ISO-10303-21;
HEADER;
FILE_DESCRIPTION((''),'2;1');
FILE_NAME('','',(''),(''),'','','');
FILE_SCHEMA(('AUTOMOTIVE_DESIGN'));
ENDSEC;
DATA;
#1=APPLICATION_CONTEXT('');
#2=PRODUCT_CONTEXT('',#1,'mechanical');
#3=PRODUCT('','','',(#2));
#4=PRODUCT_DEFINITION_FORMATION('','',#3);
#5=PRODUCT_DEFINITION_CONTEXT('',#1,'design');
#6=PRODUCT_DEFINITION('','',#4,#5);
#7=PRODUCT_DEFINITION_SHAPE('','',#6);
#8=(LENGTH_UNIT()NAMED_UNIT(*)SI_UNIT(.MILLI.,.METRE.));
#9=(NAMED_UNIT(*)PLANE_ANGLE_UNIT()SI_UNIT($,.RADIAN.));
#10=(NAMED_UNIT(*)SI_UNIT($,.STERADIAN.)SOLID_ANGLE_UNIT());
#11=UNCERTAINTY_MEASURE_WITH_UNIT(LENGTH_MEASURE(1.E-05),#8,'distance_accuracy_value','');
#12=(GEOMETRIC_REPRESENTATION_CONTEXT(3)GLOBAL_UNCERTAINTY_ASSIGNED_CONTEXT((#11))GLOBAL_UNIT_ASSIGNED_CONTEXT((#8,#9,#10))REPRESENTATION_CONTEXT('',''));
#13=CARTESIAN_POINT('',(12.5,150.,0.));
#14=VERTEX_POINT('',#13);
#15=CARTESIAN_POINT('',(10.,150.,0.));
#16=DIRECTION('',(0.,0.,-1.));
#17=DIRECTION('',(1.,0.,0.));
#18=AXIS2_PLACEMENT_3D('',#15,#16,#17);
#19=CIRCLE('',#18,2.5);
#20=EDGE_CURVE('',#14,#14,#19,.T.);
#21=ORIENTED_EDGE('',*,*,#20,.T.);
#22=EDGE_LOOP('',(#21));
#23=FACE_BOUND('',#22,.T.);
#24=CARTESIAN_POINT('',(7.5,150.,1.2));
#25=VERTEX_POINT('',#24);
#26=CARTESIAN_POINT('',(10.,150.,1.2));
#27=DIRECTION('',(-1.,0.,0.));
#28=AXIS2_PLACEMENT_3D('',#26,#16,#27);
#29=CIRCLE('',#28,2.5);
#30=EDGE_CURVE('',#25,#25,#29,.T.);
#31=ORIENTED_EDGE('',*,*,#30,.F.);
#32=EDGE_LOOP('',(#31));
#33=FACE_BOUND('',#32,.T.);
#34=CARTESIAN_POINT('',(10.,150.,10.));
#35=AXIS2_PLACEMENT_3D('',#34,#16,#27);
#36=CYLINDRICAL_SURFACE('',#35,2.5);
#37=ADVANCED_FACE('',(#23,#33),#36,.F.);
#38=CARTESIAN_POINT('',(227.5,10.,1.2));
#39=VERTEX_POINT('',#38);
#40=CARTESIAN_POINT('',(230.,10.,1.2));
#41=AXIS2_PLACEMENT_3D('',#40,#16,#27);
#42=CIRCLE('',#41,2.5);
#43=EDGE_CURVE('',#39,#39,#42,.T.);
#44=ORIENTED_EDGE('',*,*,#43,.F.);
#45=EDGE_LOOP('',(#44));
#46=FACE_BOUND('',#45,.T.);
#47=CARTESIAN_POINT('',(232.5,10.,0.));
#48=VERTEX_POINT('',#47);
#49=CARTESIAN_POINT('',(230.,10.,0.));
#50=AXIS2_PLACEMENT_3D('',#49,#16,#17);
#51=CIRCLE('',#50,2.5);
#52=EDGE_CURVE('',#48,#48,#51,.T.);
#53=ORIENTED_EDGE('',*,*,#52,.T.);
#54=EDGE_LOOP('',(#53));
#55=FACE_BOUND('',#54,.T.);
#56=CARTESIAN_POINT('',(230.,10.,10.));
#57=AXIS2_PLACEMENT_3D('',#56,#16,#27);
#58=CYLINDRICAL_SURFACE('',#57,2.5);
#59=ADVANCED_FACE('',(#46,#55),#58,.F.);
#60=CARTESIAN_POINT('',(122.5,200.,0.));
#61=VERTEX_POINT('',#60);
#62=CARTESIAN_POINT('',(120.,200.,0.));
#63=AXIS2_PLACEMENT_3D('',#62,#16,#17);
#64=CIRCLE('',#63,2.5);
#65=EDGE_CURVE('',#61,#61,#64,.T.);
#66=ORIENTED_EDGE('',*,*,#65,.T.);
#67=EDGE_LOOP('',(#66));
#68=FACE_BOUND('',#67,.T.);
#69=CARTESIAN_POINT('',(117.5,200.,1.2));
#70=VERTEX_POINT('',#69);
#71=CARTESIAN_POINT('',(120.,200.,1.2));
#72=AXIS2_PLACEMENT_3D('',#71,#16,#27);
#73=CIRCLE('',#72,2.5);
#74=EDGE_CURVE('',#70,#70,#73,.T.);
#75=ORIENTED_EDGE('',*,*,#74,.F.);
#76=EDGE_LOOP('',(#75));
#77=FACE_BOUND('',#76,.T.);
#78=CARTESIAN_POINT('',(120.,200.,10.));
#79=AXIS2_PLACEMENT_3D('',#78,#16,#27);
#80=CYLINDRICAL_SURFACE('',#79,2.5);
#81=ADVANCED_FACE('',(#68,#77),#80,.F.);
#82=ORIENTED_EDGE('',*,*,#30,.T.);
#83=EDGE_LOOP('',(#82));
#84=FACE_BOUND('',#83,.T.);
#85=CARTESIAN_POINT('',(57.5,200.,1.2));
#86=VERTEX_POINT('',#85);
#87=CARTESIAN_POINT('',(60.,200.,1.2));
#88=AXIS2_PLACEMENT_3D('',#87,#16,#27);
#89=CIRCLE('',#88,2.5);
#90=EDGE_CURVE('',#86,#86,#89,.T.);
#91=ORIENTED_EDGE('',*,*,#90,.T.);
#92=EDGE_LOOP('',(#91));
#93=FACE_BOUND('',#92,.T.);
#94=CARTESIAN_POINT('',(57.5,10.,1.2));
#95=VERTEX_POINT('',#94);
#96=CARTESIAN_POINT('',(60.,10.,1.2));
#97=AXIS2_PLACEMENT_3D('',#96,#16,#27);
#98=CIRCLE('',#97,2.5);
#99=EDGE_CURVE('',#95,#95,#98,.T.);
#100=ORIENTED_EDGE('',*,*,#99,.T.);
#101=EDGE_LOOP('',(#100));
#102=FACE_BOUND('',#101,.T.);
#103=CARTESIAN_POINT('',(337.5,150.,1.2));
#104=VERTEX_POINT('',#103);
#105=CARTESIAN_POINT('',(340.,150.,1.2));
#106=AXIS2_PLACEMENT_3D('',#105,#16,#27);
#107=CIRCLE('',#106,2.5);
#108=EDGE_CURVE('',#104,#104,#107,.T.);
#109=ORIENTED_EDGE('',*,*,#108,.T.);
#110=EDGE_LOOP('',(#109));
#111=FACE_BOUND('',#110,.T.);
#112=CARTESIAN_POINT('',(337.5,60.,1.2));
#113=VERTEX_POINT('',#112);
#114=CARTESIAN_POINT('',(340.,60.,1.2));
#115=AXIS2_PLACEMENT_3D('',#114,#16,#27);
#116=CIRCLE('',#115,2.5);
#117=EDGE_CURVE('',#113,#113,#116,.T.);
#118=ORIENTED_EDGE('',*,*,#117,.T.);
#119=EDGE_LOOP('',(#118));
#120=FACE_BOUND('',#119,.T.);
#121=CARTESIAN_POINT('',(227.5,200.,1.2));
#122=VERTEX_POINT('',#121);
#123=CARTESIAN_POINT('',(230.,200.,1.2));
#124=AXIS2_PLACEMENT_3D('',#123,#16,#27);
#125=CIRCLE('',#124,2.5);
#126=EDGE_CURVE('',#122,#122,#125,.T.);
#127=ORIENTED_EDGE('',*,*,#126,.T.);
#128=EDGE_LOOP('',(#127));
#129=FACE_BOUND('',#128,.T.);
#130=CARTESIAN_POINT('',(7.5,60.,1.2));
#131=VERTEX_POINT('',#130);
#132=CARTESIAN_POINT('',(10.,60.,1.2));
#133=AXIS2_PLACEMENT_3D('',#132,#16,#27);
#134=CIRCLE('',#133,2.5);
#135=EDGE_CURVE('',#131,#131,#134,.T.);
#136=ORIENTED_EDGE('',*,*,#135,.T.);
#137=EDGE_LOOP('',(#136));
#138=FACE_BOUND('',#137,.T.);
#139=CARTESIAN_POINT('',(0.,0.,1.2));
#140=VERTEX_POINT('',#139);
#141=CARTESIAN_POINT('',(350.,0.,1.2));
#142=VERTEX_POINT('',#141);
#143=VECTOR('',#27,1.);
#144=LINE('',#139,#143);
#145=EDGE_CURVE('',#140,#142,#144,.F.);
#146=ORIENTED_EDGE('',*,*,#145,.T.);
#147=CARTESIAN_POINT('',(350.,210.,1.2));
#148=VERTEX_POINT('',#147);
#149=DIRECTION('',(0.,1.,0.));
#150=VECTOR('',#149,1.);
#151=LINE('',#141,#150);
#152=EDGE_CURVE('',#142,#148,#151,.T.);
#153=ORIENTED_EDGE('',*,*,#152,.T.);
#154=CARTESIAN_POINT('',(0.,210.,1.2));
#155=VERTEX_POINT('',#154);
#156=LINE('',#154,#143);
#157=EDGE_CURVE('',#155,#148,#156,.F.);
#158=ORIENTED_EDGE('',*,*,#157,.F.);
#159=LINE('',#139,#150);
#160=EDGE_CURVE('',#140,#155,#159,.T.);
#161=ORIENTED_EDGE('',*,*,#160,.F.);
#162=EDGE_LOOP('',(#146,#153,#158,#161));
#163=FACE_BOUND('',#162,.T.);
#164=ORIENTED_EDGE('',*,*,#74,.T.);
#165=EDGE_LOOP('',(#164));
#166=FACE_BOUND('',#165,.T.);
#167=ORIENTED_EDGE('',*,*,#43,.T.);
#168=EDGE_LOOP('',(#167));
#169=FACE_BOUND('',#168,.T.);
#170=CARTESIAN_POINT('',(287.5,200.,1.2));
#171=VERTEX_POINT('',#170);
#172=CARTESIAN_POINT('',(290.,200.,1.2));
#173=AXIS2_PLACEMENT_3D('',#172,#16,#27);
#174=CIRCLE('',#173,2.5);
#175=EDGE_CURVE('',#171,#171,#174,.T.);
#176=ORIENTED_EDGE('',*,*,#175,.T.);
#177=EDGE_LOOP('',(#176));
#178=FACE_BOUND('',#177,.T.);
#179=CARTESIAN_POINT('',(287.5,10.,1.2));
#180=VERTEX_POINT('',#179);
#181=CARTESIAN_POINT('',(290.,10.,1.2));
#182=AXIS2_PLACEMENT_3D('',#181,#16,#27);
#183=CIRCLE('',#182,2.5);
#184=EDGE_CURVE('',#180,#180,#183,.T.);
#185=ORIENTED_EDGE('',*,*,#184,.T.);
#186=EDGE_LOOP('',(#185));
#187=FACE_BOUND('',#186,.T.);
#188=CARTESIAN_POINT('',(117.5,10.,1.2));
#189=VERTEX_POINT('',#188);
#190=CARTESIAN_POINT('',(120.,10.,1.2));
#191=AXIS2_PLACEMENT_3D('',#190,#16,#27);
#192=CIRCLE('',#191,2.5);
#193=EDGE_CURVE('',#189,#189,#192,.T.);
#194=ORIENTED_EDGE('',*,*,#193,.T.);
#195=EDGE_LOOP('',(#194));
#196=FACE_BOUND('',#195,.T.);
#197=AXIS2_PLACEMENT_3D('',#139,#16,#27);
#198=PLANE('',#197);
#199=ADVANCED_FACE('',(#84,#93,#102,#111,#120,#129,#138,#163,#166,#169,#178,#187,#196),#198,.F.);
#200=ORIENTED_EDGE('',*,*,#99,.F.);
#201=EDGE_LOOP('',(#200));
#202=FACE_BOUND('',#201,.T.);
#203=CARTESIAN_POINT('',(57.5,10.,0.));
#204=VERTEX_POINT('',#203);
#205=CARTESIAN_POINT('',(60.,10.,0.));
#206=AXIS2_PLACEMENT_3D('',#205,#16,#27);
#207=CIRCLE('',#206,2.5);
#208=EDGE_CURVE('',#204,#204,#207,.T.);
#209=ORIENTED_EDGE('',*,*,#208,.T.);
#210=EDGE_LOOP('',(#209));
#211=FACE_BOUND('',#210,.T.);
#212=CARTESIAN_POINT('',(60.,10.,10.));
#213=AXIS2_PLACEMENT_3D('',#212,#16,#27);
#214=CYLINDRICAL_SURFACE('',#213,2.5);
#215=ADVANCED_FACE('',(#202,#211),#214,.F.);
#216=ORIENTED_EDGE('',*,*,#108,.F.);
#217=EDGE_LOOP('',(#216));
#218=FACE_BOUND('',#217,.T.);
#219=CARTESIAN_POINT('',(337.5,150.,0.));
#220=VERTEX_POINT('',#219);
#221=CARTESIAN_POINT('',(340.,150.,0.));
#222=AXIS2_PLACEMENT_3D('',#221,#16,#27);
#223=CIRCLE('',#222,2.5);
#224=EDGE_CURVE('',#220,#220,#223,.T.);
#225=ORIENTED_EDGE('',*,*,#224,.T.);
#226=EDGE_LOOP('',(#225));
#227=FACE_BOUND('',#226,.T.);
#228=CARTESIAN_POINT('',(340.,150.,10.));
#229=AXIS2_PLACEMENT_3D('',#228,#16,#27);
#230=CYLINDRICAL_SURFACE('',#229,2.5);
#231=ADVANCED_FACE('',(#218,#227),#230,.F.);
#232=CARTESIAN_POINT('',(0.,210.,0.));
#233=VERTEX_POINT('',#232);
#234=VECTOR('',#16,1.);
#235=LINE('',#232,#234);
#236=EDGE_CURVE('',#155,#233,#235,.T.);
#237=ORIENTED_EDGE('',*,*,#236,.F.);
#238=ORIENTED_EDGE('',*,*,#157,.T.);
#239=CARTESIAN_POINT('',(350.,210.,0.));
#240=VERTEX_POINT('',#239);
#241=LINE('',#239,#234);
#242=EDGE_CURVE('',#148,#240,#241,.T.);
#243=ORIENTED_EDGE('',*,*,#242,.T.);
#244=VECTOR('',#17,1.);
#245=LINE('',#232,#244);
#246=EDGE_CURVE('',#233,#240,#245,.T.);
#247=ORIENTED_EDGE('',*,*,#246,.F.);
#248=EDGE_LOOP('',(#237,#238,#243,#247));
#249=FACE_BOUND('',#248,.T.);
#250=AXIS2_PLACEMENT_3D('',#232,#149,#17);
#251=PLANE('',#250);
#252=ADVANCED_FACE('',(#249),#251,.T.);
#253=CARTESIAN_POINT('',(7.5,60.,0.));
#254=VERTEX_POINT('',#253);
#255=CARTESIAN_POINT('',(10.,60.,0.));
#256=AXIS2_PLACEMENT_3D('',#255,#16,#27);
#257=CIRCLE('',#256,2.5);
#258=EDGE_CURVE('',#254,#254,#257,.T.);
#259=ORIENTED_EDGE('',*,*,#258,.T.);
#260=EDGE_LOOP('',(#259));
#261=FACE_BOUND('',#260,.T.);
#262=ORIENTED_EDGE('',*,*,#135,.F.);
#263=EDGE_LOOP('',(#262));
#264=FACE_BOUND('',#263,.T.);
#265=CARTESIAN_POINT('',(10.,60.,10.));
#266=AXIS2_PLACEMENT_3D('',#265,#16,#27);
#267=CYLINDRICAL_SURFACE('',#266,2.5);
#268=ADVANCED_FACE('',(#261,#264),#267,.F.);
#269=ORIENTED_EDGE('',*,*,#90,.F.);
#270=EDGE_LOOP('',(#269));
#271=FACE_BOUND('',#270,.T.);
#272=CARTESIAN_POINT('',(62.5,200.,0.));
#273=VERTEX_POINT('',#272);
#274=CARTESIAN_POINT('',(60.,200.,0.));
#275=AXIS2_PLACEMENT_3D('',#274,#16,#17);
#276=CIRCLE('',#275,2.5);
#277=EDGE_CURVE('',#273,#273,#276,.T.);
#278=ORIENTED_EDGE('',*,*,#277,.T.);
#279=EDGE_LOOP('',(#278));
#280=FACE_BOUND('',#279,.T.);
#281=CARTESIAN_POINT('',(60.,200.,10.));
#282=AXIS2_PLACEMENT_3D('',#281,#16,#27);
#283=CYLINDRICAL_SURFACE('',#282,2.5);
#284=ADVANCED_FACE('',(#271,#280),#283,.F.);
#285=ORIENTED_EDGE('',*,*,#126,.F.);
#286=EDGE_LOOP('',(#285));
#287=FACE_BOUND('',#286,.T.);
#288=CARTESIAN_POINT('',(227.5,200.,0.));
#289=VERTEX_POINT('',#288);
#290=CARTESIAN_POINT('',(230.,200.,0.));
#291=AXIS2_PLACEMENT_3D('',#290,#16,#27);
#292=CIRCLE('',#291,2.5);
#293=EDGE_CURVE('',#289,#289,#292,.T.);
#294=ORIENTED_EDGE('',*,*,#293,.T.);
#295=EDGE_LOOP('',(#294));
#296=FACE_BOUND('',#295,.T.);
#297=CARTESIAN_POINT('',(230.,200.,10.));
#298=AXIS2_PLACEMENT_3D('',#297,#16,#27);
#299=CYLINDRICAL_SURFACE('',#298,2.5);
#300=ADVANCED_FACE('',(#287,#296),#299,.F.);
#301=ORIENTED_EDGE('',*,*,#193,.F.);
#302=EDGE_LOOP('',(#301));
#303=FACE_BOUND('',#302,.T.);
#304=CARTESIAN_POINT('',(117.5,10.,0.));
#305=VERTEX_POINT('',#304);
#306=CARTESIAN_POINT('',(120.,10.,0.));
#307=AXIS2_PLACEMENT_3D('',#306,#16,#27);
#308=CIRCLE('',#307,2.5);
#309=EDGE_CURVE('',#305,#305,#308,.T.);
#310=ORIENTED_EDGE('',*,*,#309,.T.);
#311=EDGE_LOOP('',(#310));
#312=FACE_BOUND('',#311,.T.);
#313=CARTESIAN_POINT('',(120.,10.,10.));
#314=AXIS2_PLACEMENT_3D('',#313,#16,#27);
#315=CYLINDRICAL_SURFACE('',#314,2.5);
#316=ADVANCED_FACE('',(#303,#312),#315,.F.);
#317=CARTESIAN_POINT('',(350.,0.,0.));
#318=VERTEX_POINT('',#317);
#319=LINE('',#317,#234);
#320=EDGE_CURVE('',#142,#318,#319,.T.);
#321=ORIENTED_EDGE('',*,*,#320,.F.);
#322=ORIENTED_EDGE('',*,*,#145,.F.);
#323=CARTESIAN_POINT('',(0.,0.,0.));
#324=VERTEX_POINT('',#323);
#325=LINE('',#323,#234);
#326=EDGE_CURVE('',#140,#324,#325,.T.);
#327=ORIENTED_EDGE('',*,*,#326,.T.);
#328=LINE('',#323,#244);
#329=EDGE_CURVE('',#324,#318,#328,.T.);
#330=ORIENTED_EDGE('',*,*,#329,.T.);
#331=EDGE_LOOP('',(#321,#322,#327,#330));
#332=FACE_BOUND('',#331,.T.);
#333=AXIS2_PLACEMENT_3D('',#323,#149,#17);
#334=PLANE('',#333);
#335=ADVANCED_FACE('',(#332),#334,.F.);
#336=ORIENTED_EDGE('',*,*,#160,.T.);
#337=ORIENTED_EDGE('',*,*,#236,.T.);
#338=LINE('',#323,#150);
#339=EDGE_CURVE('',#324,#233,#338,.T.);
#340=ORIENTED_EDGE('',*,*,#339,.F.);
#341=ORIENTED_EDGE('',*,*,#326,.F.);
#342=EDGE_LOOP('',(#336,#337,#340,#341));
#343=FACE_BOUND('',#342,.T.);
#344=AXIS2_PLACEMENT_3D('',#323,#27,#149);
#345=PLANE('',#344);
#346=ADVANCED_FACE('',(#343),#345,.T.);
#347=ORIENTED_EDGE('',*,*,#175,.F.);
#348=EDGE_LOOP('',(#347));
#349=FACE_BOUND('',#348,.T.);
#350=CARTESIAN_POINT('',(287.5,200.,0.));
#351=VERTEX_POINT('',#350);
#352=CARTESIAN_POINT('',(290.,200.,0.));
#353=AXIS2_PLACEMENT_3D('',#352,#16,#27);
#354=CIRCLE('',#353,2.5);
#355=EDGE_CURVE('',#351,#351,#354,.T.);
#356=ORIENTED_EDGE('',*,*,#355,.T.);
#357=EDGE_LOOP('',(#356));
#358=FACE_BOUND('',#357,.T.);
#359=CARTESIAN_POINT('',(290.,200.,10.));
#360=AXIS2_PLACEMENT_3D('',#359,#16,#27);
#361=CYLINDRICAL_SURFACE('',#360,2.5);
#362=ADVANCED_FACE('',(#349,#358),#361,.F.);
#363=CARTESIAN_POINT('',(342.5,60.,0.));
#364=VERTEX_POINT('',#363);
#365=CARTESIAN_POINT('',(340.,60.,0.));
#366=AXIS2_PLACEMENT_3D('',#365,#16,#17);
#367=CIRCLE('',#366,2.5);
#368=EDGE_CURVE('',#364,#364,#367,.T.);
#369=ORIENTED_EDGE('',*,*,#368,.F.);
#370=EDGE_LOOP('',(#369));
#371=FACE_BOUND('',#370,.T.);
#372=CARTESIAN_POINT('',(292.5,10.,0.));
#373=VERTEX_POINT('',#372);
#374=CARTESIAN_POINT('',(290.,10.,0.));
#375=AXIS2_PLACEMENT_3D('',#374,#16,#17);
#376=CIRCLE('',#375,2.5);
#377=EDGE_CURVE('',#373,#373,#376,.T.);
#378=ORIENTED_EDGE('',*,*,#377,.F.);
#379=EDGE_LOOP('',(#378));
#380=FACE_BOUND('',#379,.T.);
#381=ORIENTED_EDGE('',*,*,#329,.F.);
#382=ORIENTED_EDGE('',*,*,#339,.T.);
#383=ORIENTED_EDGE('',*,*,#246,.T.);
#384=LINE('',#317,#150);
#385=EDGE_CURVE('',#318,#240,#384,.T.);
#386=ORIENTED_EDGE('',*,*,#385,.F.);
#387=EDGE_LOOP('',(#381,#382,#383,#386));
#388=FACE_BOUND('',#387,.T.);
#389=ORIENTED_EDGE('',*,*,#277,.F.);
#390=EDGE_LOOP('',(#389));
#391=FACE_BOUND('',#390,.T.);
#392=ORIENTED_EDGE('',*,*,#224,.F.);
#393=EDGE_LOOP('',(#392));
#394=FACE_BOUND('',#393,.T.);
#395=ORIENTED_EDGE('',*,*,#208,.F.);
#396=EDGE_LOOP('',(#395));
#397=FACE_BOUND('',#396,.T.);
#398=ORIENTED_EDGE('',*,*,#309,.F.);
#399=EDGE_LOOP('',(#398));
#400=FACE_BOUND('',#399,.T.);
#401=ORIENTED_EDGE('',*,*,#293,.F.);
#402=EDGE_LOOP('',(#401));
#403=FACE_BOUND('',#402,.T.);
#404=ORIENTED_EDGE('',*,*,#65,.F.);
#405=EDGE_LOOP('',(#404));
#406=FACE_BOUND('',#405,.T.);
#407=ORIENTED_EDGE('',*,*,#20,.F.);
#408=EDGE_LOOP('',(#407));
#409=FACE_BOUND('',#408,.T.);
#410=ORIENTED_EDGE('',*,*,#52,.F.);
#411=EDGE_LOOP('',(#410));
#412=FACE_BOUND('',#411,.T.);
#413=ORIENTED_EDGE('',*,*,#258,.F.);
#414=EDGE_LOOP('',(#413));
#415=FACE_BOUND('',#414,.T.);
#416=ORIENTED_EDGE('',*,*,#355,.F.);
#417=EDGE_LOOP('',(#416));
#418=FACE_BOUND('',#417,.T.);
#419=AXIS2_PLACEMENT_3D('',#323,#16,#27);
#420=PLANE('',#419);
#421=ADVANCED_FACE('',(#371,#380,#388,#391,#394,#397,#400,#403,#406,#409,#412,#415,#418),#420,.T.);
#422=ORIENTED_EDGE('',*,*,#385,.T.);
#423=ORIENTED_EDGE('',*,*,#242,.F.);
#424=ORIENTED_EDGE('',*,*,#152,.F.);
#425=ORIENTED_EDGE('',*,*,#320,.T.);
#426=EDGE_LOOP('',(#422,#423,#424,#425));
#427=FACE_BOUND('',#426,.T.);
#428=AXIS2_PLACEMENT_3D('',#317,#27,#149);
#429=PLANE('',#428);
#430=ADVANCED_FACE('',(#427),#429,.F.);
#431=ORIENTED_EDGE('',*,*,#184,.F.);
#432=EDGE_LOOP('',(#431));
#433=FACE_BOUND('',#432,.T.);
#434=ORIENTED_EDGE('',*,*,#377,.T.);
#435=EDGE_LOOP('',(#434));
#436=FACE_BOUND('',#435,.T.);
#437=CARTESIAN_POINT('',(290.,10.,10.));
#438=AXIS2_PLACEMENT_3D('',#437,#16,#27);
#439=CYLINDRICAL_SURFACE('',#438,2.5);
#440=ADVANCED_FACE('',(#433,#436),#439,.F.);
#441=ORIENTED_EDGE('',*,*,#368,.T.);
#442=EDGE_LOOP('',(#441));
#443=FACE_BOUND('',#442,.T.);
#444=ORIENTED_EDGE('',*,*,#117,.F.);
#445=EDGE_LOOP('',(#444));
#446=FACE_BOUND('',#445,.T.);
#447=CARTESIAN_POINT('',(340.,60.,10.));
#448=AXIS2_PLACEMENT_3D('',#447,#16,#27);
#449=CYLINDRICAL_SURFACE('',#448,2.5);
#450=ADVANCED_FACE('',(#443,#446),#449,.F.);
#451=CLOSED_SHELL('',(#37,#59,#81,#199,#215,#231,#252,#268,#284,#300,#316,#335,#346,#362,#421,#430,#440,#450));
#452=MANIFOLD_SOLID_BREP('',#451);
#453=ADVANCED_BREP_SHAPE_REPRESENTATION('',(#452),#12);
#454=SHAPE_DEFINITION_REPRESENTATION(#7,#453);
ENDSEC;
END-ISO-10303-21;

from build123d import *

# Parameters (mm, degrees)
SURFACE_EXTRUDE1_1_DEPTH = 350
THICKEN2_T1              = 1.2
SKETCH2_R                = 2.5
CUT_EXTRUDE1_DEPTH       = 10


with BuildPart() as body_1:
    # Surface-Extrude1: a surface, the sketch's curves swept straight by 350 mm
    with BuildLine(Plane(origin=(0, 0, 0), x_dir=(0, 0, -1), z_dir=(1, 0, 0)), mode=Mode.PRIVATE) as surface_extrude1_1_path:
        Line((0, 0), (0, 210))
    surface_extrude1_1 = Shell.extrude(surface_extrude1_1_path.wire(), (1 * SURFACE_EXTRUDE1_1_DEPTH, 0 * SURFACE_EXTRUDE1_1_DEPTH, 0 * SURFACE_EXTRUDE1_1_DEPTH))
    add(Solid.thicken(surface_extrude1_1, THICKEN2_T1))

    # Sketch2 → Cut-Extrude1 (cut)
    with BuildSketch(Plane(origin=(0, 0, 0), x_dir=(-1, 0, 0), z_dir=(0, 0, -1))):
        with Locations((-340, 150)):
            Circle(SKETCH2_R)
        with Locations((-290, 200)):
            Circle(SKETCH2_R)
        with Locations((-230, 200)):
            Circle(SKETCH2_R)
        with Locations((-10, 150)):
            Circle(SKETCH2_R)
        with Locations((-120, 200)):
            Circle(SKETCH2_R)
        with Locations((-60, 200)):
            Circle(SKETCH2_R)
        with Locations((-10, 60)):
            Circle(SKETCH2_R)
        with Locations((-60, 10)):
            Circle(SKETCH2_R)
        with Locations((-120, 10)):
            Circle(SKETCH2_R)
        with Locations((-230, 10)):
            Circle(SKETCH2_R)
        with Locations((-290, 10)):
            Circle(SKETCH2_R)
        with Locations((-340, 60)):
            Circle(SKETCH2_R)
    extrude(amount=-CUT_EXTRUDE1_DEPTH, mode=Mode.SUBTRACT)


solid = body_1.part
